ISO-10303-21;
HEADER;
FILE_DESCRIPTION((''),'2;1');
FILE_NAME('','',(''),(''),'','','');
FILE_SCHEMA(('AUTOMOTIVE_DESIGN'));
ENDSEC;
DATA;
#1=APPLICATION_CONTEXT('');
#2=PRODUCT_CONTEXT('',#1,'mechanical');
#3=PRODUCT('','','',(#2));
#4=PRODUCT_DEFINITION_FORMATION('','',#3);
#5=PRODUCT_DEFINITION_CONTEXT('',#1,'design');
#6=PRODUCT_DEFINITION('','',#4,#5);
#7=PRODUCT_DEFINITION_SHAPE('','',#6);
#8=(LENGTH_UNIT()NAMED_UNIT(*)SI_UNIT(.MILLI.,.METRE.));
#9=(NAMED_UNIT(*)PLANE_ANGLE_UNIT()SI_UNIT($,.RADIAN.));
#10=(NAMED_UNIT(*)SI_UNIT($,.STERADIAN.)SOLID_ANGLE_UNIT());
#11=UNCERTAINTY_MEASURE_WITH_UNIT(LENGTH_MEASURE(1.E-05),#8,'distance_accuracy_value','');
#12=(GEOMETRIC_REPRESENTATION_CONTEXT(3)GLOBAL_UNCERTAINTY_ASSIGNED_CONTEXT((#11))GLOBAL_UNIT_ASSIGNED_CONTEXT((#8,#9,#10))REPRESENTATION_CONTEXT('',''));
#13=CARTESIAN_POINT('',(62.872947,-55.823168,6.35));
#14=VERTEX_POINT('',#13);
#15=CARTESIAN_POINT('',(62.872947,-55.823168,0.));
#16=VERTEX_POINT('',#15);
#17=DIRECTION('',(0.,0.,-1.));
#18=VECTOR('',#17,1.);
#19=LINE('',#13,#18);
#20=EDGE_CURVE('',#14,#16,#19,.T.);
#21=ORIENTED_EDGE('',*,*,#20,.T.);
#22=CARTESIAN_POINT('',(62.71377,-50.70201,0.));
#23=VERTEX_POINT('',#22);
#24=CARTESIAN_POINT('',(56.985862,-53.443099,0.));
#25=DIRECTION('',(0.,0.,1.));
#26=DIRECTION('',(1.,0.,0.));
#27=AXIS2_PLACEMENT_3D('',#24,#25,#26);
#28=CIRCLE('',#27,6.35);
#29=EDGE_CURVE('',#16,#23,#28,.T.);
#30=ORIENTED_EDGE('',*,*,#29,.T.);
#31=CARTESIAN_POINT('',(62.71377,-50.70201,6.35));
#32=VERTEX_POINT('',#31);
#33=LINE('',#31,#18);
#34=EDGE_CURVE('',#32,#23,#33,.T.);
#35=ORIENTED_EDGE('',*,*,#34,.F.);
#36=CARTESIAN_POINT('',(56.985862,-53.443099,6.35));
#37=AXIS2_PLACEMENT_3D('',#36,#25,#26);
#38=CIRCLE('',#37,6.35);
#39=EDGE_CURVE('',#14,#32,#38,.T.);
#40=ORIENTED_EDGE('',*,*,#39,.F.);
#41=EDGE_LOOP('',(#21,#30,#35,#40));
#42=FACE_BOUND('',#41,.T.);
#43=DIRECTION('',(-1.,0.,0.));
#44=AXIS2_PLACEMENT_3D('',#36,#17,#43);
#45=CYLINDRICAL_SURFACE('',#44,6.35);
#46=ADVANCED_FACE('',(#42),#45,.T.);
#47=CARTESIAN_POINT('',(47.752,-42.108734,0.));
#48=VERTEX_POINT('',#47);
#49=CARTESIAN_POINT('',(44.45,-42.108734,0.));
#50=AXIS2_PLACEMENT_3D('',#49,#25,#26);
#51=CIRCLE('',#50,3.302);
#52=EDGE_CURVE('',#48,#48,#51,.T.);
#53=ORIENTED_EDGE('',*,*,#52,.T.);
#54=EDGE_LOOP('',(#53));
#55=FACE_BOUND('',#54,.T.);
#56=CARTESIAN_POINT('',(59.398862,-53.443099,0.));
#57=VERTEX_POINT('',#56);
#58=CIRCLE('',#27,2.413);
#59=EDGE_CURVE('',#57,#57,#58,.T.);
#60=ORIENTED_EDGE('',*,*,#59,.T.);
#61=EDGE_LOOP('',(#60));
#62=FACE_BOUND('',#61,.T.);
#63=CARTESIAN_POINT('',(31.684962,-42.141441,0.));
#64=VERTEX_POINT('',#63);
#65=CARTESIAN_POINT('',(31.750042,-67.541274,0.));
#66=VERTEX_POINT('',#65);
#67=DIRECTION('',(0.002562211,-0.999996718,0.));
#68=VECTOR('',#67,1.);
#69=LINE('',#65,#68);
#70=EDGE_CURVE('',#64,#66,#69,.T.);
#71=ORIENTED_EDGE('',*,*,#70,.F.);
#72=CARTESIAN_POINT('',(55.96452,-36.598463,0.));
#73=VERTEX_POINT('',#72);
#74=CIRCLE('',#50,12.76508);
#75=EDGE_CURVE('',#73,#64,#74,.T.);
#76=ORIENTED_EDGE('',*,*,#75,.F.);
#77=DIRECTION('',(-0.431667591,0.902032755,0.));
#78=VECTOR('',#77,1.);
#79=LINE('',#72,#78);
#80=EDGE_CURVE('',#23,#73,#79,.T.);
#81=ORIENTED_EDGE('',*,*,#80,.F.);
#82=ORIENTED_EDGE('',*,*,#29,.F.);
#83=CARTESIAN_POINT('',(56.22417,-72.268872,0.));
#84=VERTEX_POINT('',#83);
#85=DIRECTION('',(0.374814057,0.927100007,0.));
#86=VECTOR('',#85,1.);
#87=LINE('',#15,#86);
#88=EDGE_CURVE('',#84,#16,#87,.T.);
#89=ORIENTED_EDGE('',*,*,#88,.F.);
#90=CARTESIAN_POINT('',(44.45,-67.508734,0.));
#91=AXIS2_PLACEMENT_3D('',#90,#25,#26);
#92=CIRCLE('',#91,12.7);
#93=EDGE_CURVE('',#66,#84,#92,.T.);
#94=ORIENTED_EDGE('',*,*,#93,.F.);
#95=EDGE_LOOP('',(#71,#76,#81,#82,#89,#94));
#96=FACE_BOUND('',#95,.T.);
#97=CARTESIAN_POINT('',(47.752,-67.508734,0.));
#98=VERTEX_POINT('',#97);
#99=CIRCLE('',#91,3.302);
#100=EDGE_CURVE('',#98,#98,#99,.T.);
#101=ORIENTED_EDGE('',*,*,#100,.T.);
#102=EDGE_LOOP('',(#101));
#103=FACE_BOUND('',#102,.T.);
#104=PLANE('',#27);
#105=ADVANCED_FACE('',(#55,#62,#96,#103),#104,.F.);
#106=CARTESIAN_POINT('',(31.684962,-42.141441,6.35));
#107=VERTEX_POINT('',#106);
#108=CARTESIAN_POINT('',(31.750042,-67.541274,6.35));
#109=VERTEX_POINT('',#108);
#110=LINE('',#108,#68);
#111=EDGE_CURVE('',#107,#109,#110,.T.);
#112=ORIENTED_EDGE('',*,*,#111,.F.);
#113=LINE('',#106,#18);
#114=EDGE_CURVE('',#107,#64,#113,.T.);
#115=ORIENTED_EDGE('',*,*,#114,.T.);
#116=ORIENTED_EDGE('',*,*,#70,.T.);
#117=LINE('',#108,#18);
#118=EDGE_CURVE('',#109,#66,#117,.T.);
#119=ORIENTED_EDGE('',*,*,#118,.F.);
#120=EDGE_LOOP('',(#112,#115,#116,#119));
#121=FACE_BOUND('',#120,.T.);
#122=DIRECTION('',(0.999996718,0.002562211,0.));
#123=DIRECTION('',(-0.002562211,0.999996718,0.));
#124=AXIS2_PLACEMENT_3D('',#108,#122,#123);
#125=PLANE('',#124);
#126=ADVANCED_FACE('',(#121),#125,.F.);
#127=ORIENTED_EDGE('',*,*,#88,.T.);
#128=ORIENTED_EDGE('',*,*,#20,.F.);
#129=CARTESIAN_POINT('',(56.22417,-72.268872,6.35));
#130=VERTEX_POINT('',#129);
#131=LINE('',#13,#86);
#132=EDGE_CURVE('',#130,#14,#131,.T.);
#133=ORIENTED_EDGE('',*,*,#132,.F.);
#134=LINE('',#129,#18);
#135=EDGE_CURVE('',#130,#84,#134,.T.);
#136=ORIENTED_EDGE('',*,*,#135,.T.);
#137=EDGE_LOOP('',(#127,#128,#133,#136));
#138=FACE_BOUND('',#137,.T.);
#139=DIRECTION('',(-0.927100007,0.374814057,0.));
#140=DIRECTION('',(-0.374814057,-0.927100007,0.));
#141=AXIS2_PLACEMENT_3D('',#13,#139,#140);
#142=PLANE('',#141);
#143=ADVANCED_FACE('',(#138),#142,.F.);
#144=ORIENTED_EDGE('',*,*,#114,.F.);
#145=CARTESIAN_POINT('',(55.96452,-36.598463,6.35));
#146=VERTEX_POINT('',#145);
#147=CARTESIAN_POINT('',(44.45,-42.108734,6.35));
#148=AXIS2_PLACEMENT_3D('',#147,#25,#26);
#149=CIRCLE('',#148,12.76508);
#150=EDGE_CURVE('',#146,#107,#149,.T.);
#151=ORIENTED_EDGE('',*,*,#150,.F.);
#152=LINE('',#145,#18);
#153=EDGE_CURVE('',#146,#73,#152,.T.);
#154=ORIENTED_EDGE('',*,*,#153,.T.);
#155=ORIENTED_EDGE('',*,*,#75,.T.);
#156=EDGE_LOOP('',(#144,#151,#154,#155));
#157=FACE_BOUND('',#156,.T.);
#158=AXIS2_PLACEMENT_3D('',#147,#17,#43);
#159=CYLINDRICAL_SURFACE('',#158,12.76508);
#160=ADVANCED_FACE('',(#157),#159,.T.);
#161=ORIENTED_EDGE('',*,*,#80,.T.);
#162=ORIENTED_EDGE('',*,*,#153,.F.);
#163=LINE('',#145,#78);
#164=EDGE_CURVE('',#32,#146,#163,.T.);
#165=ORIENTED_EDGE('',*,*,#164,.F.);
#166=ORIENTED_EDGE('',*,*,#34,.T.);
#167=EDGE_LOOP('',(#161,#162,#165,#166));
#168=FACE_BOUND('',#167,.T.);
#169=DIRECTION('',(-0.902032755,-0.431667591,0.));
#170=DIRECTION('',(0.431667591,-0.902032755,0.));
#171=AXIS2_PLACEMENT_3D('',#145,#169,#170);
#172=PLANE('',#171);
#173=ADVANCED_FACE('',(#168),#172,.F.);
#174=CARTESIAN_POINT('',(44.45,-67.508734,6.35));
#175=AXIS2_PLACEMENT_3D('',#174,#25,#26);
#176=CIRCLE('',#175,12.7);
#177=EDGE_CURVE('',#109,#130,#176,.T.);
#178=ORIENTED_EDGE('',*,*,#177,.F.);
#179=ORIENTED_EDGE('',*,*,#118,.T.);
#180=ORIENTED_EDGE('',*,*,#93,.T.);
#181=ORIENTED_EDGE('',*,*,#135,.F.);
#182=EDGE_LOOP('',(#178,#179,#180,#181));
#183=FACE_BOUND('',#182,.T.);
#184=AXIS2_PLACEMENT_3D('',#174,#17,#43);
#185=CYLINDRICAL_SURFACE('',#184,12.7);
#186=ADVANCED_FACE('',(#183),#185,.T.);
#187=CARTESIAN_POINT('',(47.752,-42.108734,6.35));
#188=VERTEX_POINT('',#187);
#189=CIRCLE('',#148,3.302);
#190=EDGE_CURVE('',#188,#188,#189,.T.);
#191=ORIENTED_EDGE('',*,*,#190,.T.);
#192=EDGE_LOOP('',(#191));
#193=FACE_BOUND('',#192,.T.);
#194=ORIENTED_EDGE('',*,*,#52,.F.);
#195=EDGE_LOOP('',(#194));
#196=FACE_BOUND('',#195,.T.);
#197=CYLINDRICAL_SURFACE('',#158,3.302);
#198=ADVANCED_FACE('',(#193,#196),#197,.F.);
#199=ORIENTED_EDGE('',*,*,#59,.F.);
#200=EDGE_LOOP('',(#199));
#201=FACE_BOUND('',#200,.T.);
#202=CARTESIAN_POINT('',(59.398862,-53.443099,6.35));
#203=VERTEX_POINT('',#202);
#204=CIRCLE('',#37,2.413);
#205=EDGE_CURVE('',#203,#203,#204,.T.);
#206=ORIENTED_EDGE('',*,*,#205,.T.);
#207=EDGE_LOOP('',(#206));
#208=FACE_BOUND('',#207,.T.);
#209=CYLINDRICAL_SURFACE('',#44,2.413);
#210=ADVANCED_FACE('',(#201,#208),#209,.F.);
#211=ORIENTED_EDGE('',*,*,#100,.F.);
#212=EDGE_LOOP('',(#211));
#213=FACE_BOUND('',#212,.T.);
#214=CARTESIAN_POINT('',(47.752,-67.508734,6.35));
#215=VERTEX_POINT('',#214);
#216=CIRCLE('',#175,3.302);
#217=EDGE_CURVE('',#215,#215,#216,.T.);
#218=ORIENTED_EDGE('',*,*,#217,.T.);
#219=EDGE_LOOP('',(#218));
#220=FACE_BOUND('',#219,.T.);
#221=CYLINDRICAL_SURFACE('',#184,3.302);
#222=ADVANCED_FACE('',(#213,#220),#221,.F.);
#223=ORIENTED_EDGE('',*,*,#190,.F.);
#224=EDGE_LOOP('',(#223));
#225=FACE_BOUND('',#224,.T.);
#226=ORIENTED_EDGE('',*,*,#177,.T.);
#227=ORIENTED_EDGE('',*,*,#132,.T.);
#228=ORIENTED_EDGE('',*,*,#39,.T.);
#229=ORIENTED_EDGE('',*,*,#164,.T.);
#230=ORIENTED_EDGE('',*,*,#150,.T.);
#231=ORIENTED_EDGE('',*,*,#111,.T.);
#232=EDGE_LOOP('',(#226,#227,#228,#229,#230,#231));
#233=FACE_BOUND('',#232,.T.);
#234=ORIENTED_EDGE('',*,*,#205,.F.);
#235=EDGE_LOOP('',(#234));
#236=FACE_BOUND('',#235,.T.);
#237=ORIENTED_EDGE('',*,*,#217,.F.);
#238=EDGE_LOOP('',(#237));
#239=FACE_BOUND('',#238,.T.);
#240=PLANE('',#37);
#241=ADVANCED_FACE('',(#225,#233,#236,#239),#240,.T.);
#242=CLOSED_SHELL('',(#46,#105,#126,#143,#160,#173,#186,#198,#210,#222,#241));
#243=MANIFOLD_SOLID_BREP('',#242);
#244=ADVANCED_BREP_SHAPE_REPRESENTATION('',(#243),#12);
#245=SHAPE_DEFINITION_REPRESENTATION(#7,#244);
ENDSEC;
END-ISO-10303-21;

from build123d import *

# Parameters (mm, degrees)
SKETCH1_R           = 2.413
SKETCH1_R_2         = 3.302
BOSS_EXTRUDE1_DEPTH = 6.35


with BuildPart() as part:
    # Sketch1 → Boss-Extrude1 (new body)
    with BuildSketch(Plane.XY):
        with BuildLine():
            Line((62.872947054, -55.8231681), (56.224170085, -72.268872447))
            ThreePointArc((56.224170085, -72.268872447), (42.041303725, -79.978223974), (31.750041687, -67.541273993))
            Line((31.750041687, -67.541273993), (31.684961751, -42.141440742))
            ThreePointArc((31.684961751, -42.141440742), (41.60885576, -29.663848597), (55.964520416, -36.598462524))
            Line((55.964520416, -36.598462524), (62.713770006, -50.702009635))
            ThreePointArc((62.713770006, -50.702009635), (63.332796848, -53.245821919), (62.872947054, -55.8231681))
        make_face()
        with Locations((56.985862012, -53.443098836)):
            Circle(SKETCH1_R, mode=Mode.SUBTRACT)
        with Locations((44.45, -67.508733918)):
            Circle(SKETCH1_R_2, mode=Mode.SUBTRACT)
        with Locations((44.45, -42.108733918)):
            Circle(SKETCH1_R_2, mode=Mode.SUBTRACT)
    extrude(amount=BOSS_EXTRUDE1_DEPTH)


solid = part.part
